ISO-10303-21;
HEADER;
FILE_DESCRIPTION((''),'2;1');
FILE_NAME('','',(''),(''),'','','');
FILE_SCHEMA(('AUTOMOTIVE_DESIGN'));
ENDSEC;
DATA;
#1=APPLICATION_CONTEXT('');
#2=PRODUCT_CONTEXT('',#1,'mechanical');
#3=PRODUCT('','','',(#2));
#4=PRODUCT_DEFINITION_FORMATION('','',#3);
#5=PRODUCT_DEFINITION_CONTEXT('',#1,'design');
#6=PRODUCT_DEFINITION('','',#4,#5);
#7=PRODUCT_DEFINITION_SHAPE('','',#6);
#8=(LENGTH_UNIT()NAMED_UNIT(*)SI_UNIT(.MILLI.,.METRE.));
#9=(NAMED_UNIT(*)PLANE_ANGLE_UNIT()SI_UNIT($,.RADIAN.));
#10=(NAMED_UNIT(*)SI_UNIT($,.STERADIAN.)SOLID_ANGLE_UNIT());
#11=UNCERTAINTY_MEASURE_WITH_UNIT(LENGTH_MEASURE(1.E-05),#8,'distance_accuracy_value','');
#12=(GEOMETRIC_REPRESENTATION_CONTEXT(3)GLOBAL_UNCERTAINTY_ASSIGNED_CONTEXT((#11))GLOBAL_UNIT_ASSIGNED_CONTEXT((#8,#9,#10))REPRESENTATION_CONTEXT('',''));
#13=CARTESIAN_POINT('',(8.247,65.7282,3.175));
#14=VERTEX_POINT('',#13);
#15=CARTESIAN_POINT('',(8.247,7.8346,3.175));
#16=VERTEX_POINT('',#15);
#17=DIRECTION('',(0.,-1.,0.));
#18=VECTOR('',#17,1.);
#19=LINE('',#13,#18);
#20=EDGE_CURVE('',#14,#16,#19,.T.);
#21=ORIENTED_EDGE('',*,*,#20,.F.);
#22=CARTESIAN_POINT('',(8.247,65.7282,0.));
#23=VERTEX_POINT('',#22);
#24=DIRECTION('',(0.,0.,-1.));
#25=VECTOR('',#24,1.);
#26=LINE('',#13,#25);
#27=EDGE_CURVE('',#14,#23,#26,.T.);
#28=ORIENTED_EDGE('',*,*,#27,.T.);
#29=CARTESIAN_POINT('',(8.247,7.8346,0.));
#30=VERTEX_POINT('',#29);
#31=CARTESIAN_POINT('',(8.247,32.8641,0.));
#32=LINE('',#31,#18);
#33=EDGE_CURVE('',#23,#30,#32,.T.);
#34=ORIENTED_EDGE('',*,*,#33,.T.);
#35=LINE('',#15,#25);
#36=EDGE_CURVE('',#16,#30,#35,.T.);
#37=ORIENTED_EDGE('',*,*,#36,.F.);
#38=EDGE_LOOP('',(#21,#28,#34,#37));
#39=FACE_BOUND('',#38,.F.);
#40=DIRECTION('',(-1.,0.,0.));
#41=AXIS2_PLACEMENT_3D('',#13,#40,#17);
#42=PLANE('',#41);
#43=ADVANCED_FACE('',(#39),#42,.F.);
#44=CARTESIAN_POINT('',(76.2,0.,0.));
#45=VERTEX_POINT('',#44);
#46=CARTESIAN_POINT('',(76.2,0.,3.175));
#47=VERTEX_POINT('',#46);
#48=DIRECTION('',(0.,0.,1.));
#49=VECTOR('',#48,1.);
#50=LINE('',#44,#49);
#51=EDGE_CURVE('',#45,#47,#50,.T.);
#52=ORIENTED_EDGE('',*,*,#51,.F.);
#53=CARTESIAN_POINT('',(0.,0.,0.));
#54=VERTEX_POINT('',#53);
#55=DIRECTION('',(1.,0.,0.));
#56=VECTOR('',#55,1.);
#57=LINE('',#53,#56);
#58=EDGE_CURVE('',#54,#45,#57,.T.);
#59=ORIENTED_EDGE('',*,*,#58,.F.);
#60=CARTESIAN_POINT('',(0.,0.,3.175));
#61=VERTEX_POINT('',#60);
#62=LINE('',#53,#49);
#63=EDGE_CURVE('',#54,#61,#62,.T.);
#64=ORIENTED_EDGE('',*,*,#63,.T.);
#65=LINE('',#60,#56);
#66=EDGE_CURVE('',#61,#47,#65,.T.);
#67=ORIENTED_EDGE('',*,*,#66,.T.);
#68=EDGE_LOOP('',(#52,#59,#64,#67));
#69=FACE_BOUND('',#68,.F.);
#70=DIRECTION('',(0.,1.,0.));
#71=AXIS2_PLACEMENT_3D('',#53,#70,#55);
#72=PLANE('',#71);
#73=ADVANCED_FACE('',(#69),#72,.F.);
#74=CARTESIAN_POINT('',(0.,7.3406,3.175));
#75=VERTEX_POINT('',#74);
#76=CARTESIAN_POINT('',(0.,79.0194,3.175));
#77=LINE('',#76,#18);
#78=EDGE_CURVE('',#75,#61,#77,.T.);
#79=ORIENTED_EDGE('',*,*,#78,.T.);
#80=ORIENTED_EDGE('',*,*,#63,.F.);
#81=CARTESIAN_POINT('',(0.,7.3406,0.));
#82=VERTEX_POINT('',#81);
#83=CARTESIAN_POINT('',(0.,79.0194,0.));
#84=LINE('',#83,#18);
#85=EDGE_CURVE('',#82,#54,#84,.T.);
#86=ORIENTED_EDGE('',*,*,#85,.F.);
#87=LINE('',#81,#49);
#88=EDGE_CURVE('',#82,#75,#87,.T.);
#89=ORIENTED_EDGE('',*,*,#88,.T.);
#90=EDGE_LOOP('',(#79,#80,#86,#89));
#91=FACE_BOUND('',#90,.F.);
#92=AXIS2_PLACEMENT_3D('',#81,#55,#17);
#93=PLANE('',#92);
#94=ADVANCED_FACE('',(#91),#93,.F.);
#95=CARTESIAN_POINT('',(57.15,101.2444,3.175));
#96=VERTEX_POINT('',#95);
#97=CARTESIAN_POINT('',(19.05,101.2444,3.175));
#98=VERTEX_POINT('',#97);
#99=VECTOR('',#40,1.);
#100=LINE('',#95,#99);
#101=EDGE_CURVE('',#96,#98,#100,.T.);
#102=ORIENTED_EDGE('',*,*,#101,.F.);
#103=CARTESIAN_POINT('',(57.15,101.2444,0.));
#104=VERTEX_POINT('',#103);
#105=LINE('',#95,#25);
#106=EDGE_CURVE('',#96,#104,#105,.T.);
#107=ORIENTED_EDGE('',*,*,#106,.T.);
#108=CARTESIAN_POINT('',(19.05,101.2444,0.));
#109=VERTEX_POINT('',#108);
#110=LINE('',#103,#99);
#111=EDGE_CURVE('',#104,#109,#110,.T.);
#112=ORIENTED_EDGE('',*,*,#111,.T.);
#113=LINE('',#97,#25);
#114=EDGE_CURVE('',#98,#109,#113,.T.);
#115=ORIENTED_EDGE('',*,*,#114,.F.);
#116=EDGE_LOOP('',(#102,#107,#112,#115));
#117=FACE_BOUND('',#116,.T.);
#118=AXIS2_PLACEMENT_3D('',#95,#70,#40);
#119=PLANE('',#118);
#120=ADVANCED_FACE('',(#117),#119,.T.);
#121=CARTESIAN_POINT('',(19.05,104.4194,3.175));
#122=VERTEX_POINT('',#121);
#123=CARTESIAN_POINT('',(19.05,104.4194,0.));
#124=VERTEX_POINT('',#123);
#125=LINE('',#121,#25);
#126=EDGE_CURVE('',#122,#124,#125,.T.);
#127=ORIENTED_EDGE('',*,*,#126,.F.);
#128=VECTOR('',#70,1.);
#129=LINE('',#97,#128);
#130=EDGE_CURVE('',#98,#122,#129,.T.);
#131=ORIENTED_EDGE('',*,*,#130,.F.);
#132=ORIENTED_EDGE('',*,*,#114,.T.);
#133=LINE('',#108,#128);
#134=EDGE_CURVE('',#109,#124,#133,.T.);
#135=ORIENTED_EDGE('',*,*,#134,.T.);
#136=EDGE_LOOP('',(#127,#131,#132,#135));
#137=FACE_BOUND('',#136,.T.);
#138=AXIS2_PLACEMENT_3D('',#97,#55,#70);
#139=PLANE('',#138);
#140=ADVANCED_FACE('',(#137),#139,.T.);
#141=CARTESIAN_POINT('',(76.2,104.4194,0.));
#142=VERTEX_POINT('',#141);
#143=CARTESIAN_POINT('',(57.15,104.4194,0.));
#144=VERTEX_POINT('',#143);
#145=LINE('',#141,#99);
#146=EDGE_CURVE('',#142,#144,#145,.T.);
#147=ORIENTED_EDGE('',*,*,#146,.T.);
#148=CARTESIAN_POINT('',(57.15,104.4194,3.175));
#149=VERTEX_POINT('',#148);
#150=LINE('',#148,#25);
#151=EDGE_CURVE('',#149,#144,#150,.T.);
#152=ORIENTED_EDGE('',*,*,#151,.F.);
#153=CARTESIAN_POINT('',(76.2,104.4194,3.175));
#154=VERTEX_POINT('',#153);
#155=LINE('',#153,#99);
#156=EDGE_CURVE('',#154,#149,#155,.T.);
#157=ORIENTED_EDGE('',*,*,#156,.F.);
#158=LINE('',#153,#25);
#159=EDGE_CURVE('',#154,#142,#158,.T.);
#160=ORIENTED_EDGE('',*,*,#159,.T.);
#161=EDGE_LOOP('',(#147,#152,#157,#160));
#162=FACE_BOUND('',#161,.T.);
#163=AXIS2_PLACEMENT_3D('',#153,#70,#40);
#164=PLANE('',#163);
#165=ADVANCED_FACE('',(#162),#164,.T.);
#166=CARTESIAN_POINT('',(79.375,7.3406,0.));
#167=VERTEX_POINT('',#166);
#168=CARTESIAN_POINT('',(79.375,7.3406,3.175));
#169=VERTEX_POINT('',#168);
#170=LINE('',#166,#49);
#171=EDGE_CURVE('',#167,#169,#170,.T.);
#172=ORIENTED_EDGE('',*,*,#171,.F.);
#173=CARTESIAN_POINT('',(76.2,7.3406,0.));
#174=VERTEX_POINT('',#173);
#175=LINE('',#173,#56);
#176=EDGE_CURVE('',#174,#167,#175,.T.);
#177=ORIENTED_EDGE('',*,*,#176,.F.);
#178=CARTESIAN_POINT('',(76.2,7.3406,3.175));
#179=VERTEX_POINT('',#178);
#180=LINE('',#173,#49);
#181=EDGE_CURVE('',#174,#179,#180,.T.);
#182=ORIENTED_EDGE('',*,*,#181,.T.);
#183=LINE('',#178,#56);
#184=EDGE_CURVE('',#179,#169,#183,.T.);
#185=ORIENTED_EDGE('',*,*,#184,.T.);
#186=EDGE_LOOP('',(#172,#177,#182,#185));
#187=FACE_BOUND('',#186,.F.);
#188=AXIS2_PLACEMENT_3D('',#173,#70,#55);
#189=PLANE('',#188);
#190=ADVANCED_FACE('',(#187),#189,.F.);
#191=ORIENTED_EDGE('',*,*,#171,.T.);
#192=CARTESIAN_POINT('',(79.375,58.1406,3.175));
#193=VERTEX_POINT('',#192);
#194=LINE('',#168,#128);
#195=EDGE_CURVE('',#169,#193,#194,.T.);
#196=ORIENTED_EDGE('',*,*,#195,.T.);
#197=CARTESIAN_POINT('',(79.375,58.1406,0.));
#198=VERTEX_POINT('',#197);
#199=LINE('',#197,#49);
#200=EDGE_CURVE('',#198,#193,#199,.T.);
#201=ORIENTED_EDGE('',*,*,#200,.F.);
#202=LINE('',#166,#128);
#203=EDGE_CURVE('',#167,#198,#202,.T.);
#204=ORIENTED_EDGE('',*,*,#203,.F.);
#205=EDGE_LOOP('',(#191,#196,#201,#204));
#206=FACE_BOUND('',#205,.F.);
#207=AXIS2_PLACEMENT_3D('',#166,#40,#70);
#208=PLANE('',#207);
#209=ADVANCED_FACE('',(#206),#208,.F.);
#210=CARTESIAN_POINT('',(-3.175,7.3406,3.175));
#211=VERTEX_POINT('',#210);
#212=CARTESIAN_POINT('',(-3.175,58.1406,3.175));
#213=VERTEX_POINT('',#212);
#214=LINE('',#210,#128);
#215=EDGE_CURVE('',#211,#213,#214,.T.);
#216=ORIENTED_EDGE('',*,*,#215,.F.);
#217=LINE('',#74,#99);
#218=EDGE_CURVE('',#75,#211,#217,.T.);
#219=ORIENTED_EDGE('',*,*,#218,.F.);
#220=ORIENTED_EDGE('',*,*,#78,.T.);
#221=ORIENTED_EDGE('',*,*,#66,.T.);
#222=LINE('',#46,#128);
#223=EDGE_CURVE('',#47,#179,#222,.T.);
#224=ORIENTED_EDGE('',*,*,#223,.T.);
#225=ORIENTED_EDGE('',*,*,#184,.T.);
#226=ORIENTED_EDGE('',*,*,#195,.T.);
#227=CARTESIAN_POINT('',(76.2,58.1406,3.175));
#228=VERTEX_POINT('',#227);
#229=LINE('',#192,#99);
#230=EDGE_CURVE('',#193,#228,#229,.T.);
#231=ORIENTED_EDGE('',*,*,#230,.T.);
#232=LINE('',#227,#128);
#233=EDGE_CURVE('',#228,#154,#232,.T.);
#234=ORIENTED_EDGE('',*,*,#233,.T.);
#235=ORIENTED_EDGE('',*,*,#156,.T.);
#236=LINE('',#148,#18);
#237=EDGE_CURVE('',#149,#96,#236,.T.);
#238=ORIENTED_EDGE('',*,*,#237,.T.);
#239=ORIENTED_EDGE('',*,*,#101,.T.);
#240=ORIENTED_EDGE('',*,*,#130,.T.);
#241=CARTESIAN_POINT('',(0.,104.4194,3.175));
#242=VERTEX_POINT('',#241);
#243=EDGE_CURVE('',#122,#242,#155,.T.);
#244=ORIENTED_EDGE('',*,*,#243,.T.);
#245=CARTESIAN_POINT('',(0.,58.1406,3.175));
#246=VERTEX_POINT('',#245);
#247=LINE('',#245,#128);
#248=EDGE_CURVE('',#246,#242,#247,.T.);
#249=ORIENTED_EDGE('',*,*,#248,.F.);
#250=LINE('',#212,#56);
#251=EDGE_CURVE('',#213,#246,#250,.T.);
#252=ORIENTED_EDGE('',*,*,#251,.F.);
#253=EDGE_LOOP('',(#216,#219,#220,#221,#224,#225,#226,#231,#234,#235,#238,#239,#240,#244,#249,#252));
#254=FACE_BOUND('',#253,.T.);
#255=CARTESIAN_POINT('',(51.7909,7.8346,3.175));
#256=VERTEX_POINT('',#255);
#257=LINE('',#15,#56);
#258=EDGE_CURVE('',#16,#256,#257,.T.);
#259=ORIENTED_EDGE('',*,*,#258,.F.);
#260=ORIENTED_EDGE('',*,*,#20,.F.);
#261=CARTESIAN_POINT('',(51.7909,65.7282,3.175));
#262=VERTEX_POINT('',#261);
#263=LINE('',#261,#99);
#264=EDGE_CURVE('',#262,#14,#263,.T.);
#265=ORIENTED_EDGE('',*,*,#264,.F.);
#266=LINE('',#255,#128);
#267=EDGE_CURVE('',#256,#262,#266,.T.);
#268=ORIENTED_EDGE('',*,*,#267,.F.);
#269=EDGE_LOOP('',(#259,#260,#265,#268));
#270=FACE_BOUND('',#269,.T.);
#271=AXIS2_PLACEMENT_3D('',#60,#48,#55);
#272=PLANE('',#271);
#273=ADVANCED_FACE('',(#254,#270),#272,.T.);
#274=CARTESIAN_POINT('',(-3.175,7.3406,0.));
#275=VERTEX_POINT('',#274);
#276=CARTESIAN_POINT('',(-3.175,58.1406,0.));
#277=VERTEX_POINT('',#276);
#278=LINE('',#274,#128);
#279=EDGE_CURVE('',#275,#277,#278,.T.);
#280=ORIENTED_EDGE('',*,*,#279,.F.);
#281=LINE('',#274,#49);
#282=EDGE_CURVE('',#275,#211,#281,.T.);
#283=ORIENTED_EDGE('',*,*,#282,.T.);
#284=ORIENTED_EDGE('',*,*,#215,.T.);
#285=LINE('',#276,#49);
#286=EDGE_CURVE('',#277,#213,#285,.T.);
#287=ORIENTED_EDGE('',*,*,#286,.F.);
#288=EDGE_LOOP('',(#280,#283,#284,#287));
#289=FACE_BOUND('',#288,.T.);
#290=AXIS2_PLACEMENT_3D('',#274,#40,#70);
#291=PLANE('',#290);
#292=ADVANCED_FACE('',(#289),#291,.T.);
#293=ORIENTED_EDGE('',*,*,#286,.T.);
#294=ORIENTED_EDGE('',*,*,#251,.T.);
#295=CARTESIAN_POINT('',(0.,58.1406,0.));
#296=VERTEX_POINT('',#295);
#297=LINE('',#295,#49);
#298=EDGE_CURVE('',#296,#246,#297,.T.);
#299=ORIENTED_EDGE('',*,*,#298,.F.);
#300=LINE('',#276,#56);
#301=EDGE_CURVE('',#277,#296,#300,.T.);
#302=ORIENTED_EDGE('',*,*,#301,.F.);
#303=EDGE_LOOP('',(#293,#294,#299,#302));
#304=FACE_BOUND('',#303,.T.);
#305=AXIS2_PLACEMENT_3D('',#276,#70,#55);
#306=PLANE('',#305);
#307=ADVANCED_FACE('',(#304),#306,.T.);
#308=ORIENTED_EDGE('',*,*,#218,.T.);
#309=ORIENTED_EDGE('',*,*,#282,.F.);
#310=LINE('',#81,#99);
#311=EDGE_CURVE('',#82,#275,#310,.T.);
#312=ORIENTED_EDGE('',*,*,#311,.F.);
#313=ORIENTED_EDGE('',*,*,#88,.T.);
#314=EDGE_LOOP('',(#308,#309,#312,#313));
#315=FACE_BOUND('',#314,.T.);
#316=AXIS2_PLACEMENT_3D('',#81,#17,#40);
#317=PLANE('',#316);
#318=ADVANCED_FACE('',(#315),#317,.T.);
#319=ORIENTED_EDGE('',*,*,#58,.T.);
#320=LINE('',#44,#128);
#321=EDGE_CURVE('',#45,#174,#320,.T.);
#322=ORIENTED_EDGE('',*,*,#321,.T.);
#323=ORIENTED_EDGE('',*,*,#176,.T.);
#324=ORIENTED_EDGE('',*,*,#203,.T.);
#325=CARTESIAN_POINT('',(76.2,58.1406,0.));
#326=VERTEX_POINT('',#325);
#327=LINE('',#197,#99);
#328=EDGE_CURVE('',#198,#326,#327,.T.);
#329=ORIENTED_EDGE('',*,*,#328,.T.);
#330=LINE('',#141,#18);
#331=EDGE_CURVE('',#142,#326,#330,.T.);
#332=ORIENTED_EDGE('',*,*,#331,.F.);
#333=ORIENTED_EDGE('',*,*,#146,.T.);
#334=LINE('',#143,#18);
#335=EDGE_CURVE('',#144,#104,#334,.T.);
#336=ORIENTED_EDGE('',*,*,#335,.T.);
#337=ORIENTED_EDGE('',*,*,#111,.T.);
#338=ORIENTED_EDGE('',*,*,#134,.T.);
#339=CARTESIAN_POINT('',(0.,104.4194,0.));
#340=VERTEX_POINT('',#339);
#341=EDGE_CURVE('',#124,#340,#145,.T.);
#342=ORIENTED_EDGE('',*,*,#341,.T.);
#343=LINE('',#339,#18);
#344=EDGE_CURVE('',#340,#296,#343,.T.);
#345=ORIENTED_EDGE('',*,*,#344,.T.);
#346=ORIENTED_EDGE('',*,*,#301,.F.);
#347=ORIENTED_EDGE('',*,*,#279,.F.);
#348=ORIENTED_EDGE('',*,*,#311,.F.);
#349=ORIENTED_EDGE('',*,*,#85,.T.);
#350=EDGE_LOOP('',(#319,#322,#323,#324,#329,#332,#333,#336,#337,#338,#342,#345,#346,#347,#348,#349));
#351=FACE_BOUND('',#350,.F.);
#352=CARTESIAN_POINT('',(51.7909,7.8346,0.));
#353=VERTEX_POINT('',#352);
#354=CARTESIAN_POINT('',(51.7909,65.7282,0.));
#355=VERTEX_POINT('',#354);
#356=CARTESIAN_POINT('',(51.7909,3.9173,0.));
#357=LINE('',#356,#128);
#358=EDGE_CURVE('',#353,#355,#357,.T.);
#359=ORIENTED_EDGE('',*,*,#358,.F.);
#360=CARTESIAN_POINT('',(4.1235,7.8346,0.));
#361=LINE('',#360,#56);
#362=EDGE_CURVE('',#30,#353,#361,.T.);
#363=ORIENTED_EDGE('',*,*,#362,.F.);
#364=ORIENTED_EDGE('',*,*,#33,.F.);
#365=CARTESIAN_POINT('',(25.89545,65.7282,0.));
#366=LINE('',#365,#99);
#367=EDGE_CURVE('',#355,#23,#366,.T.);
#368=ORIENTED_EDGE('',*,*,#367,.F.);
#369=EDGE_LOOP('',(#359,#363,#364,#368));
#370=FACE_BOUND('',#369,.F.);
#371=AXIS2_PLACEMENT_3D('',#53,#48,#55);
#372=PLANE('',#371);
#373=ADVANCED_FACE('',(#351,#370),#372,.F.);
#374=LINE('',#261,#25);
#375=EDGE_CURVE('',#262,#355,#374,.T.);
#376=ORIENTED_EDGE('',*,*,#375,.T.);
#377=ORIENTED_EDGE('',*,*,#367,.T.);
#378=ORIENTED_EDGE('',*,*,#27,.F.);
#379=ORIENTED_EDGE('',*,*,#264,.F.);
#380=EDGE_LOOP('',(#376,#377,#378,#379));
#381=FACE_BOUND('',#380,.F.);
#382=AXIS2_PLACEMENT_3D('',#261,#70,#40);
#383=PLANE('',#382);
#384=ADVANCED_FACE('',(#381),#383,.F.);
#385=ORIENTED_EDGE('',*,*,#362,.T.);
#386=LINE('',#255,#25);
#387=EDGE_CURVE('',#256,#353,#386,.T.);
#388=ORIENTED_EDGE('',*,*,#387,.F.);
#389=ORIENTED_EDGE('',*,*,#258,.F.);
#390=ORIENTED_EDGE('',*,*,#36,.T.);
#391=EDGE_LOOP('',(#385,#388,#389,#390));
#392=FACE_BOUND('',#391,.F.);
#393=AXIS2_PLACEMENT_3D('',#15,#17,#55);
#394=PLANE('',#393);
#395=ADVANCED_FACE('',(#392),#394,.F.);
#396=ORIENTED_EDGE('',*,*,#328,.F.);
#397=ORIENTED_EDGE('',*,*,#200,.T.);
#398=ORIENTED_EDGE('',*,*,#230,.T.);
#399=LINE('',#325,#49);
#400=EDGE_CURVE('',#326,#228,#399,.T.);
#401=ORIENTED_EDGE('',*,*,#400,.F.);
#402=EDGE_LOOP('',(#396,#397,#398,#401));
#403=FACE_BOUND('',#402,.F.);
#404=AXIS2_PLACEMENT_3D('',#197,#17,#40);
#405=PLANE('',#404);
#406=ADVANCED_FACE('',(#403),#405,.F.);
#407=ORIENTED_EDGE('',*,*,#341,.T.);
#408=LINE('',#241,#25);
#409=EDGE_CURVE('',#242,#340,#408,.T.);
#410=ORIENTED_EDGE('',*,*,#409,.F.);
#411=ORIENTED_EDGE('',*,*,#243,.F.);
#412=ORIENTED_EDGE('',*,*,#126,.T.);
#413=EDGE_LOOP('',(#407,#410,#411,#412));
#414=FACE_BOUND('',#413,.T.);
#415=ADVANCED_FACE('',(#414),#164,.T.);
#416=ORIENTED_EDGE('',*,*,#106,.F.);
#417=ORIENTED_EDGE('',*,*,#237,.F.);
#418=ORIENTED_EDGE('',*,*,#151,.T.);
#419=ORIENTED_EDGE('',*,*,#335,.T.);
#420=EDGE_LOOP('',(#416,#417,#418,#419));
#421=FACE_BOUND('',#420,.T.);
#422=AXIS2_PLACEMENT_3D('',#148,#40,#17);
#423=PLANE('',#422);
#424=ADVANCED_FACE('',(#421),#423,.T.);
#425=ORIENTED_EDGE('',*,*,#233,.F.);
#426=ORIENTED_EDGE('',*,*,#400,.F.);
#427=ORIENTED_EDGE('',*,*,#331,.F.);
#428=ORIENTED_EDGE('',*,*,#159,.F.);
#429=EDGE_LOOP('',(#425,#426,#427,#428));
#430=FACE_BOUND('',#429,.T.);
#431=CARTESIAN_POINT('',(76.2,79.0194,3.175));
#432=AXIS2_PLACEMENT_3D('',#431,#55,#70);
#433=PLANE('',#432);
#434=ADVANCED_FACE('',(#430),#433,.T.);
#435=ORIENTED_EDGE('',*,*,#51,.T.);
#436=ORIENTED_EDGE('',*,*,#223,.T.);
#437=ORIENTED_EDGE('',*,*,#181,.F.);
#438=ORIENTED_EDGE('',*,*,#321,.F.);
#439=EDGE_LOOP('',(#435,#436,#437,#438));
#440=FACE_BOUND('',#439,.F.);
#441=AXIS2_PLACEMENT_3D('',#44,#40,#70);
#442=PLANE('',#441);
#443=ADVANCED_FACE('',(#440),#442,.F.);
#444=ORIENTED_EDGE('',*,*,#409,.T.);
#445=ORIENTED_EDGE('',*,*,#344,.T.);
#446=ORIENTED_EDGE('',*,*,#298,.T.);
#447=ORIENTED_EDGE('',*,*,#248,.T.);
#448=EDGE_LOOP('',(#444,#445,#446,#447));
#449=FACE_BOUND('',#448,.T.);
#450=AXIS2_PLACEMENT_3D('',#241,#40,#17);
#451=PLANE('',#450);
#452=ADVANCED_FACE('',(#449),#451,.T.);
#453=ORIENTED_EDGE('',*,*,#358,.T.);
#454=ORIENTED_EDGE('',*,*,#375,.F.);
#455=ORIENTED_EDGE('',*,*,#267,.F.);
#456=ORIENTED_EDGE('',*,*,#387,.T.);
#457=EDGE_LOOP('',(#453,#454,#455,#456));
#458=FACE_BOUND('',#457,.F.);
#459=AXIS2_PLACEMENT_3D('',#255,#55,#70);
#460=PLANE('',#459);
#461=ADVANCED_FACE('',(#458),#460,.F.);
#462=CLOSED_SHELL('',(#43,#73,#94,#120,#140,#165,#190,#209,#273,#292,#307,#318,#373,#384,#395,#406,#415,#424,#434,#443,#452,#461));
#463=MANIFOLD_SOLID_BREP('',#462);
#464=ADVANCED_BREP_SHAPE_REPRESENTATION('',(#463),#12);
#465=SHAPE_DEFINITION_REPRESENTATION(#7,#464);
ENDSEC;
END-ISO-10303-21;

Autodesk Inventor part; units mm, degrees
ref_plane "YZ Plane" through (0, 0, 0) normal (1, 0, 0) x (0, 1, 0)
ref_plane "XZ Plane" through (0, 0, 0) normal (0, 1, 0) x (-1, 0, 0)
ref_plane "XY Plane" through (0, 0, 0) normal (0, 0, 1) x (1, 0, 0)
sketch "Sketch1" plane through (0, 0, 0) normal (0, 0, 1) x (1, 0, 0)
  line L0 (0, 0) -> (76.2, 0)
  line L1 (76.2, 0) -> (76.2, 79.0194)
  line L2 (76.2, 79.0194) -> (0, 79.0194)
  line L3 (0, 79.0194) -> (0, 0)
  line L4 (0, 7.3406) -> (-3.175, 7.3406)
  line L5 (-3.175, 7.3406) -> (-3.175, 58.1406)
  line L6 (-3.175, 58.1406) -> (0, 58.1406)
  line L7 (0, 58.1406) -> (0, 7.3406)
  line L8 (38.1, 79.0194) -> (38.1, 15.1376) construction
  line L9 (76.2, 0) -> (0, 0)
  line L10 (76.2, 79.0194) -> (76.2, 0)
  line L11 (76.2, 7.3406) -> (79.375, 7.3406)
  line L12 (79.375, 7.3406) -> (79.375, 58.1406)
  line L13 (79.375, 58.1406) -> (76.2, 58.1406)
  line L14 (76.2, 58.1406) -> (76.2, 7.3406)
  dimension "d0" = 76.2
  dimension "d1" = 79.0194
  dimension "d2" = 7.3406
  dimension "d3" = 50.8
  dimension "d6" = 3.175
extrude "Extrusion1" add sketch "Sketch1" along normal blind 3.175
sketch "Sketch2" plane through (0, 0, 3.175) normal (0, 0, 1) x (1, 0, 0)
  line L0 (76.2, 79.0194) -> (0, 79.0194) projected
  line L1 (0, 79.0194) -> (76.2, 79.0194)
  line L2 (76.2, 79.0194) -> (76.2, 104.4194)
  line L3 (76.2, 104.4194) -> (0, 104.4194)
  line L4 (0, 104.4194) -> (0, 79.0194)
  point P0 (0, 0)
  dimension "d7" = 25.4
extrude "Extrusion2" add sketch "Sketch2" against normal blind 3.175
sketch "Sketch3" plane through (0, 0, 3.175) normal (0, 0, 1) x (1, 0, 0)
  line L0 (76.2, 104.4194) -> (0, 104.4194) projected
  line L1 (19.05, 104.4194) -> (57.15, 104.4194)
  line L2 (57.15, 104.4194) -> (57.15, 101.2444)
  line L3 (57.15, 101.2444) -> (19.05, 101.2444)
  line L4 (19.05, 101.2444) -> (19.05, 104.4194)
  line L5 (0, 104.4194) -> (0, 58.1406) projected
  point P0 (0, 0)
  dimension "d10" = 3.175
  dimension "d11" = 38.1
  dimension "d12" = 19.05
extrude "Extrusion3" cut sketch "Sketch3" against normal blind 3.175
sketch "Sketch5" plane through (0, 0, 3.175) normal (0, 0, 1) x (1, 0, 0)
  line L0 (51.7909, 65.7282) -> (8.247, 65.7282)
  line L1 (8.247, 65.7282) -> (8.247, 7.8346)
  line L2 (8.247, 7.8346) -> (51.7909, 7.8346)
  line L3 (51.7909, 7.8346) -> (51.7909, 65.7282)
  point P0 (0, 0)
extrude "Extrusion4" cut sketch "Sketch5" against normal blind 25.4
properties part number "front"
